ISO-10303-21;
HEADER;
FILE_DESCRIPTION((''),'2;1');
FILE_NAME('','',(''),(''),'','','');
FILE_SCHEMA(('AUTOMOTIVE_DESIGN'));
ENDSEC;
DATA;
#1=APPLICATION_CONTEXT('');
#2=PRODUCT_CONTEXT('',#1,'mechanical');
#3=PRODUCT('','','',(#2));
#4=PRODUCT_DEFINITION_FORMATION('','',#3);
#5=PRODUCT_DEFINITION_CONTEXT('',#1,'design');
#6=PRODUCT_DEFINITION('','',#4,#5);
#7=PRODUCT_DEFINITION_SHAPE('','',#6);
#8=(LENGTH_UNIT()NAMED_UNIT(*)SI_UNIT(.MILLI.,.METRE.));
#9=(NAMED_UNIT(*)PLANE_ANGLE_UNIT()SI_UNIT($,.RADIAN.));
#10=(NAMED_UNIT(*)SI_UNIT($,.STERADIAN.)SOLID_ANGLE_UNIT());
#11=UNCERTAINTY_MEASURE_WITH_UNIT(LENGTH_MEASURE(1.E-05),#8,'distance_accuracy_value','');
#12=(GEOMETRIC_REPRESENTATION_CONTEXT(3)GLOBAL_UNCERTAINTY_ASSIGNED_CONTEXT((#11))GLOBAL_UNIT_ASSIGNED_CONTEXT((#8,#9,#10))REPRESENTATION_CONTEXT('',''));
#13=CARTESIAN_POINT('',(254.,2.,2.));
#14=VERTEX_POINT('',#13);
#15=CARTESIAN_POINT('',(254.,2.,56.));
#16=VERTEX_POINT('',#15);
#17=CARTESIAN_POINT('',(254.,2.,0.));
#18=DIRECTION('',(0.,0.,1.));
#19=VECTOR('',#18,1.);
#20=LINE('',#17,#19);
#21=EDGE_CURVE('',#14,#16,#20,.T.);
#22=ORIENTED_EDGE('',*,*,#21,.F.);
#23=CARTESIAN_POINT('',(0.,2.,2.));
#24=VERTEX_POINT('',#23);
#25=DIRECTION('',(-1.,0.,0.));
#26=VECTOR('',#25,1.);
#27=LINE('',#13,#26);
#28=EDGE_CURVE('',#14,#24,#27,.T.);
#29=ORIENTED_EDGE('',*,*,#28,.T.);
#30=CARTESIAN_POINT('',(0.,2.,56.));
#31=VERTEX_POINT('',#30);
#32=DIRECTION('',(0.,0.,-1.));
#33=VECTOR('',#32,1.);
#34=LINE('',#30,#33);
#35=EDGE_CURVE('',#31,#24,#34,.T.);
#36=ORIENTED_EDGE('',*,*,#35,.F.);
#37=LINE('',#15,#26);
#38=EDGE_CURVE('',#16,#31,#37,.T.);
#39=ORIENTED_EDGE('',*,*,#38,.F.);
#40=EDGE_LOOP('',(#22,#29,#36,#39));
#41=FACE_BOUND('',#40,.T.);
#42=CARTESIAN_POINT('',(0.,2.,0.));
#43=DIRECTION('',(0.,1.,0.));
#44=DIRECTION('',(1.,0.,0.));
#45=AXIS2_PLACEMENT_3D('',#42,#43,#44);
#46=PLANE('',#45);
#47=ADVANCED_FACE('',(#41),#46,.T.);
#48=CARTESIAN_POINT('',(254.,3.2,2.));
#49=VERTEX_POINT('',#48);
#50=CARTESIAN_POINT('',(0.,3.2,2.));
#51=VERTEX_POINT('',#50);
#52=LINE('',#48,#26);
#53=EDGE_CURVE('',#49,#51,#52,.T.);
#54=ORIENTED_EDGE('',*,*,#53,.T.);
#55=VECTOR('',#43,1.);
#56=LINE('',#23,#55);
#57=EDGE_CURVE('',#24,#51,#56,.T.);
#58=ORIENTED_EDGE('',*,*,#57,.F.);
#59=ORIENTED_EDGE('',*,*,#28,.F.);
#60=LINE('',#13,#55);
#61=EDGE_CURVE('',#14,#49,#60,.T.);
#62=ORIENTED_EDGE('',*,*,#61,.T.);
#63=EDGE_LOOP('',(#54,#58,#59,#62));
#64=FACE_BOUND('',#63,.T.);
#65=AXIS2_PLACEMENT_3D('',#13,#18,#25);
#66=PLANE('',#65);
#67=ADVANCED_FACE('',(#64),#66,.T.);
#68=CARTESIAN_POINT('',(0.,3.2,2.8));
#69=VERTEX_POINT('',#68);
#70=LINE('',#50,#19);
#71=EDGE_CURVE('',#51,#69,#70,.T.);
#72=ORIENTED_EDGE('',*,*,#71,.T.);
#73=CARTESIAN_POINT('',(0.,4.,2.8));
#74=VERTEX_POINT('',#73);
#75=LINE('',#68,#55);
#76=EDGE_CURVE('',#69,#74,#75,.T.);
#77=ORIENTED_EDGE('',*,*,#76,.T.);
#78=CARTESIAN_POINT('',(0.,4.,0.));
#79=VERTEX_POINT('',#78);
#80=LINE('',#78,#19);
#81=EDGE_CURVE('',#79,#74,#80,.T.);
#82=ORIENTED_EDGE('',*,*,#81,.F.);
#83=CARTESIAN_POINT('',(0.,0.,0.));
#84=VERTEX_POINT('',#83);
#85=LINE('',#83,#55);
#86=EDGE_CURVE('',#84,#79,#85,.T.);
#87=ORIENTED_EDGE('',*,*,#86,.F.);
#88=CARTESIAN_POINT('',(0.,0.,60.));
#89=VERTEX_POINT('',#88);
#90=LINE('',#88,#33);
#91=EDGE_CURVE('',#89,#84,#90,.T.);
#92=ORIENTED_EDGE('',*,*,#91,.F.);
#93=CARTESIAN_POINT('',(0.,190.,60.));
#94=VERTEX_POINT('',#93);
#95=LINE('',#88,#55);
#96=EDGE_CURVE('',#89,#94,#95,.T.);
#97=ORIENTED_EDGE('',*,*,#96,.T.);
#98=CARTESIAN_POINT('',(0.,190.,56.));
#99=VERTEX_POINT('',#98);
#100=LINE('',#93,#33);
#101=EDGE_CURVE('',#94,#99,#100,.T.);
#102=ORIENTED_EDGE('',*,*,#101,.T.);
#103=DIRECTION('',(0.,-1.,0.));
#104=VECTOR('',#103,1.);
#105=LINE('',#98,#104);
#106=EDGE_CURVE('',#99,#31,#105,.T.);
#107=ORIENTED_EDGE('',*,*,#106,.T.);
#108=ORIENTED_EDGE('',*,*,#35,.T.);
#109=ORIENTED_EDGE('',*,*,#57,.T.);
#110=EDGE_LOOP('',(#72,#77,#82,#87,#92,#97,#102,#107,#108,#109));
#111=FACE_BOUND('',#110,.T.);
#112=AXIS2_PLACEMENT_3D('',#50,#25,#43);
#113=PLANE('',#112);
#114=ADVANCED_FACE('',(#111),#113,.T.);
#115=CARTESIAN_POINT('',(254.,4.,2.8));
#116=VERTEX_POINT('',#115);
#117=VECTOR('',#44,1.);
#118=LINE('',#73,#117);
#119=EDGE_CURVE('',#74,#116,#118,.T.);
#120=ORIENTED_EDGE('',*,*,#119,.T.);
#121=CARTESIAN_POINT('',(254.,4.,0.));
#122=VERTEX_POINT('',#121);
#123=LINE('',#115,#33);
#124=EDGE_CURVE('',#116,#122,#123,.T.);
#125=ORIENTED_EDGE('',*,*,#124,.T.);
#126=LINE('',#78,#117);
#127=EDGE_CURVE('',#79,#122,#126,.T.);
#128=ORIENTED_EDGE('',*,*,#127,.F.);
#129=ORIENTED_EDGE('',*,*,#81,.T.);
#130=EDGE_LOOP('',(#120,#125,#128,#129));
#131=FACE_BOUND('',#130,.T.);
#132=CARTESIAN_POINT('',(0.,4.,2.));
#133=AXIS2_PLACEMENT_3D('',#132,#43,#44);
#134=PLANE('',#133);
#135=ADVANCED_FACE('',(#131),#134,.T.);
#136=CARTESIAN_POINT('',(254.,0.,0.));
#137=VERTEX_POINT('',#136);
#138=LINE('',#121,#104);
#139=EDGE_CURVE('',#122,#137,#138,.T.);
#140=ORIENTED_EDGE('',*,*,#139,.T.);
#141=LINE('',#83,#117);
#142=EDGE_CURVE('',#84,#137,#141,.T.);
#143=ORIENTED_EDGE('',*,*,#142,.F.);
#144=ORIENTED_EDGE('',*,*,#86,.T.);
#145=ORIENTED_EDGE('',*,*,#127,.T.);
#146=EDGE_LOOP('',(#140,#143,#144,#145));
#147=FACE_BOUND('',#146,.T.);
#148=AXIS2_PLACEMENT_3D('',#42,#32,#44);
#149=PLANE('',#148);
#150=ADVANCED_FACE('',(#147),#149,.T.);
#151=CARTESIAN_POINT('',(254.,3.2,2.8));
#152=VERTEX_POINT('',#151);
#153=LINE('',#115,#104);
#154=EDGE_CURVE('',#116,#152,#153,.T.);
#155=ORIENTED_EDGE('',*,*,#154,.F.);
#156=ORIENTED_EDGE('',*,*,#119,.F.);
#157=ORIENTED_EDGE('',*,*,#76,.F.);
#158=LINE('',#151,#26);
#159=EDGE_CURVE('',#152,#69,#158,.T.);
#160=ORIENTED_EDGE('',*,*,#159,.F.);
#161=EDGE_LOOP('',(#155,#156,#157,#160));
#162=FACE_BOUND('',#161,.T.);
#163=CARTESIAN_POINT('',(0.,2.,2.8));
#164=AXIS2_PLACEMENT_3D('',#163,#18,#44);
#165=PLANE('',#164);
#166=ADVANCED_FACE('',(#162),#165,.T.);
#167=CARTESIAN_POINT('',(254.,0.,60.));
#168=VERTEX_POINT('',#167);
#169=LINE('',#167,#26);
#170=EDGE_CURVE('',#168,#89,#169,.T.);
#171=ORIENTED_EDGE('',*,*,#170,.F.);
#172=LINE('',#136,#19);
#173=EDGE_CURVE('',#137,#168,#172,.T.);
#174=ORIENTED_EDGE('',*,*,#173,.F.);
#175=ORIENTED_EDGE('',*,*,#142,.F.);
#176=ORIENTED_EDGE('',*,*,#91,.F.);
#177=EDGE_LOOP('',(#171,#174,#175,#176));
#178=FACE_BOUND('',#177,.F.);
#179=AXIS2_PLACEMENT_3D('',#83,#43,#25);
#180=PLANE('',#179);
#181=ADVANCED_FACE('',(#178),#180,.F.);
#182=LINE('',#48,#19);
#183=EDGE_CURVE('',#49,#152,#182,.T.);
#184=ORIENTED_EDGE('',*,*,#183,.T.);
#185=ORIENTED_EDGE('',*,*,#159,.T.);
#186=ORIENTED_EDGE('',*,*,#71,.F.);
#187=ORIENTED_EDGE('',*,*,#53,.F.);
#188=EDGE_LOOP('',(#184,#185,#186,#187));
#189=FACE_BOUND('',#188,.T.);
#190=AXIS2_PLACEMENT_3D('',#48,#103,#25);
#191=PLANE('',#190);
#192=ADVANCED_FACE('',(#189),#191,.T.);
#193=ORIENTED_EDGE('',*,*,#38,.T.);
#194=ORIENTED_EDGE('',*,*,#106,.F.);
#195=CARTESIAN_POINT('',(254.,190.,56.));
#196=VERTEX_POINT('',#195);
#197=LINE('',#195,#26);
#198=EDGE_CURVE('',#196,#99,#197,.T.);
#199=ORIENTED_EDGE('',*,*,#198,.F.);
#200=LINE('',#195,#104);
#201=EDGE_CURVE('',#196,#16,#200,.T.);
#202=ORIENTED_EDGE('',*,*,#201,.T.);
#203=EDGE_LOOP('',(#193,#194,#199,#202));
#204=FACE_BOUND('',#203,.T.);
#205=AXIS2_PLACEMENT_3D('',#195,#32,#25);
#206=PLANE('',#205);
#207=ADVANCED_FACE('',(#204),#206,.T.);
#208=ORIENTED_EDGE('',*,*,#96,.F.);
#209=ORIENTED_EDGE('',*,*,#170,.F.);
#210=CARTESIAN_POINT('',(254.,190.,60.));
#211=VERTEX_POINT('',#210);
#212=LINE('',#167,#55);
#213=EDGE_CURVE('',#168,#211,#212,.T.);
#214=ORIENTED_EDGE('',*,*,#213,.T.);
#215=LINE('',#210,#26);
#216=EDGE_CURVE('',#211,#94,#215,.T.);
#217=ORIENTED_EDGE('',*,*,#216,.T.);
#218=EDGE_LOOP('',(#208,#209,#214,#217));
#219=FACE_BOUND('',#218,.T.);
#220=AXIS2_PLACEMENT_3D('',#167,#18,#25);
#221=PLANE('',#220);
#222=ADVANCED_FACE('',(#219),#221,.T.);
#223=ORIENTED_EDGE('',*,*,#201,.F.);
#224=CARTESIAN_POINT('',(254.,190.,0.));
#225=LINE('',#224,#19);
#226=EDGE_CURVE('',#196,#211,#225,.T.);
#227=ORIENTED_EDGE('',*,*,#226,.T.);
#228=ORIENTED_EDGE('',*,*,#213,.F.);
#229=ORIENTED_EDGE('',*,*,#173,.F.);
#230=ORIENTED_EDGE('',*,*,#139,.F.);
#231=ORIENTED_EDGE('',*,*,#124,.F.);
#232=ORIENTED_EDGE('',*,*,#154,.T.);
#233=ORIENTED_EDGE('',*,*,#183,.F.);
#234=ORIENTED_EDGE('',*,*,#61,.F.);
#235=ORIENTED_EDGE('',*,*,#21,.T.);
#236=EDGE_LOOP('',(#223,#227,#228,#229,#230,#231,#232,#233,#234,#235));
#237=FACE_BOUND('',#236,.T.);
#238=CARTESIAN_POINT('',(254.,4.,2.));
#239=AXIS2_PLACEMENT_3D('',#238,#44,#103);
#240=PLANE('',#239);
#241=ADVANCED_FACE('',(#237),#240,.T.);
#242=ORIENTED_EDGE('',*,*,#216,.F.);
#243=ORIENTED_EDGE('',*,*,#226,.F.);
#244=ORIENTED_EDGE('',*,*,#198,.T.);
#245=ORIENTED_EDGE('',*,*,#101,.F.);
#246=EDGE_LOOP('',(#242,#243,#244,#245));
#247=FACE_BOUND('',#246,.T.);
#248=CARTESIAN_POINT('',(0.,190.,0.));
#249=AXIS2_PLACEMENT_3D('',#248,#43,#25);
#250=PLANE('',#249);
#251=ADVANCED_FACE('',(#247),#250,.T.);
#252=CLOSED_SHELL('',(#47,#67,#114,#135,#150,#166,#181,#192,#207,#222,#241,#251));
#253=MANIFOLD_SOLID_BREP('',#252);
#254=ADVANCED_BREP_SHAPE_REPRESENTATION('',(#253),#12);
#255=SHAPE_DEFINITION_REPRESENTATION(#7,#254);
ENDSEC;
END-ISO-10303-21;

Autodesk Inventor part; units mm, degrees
ref_plane "YZ Plane" through (0, 0, 0) normal (1, 0, 0) x (0, 1, 0)
ref_plane "XZ Plane" through (0, 0, 0) normal (0, 1, 0) x (-1, 0, 0)
ref_plane "XY Plane" through (0, 0, 0) normal (0, 0, 1) x (1, 0, 0)
sketch "草圖1" plane through (0, 0, 0) normal (0, 1, 0) x (-1, 0, 0)
  line L0 (0, 0) -> (-254, 0)
  line L1 (-254, 0) -> (-254, 60)
  line L2 (-254, 60) -> (0, 60)
  line L3 (0, 60) -> (0, 0)
  dimension "d0" = 254
  dimension "d1" = 60
extrude "擠出1" add sketch "草圖1" along normal blind 190
sketch "草圖2" plane through (0, 190, 0) normal (0, 1, 0) x (1, 0, 0)
  line L0 (254, 0) -> (0, 0) projected
  line L1 (0, 0) -> (254, 0)
  line L2 (254, 0) -> (254, -56)
  line L3 (254, -56) -> (0, -56)
  line L4 (0, -56) -> (0, 0)
  dimension "d4" = 254
  dimension "d5" = 56
extrude "擠出2" cut sketch "草圖2" against normal blind 188
sketch "草圖3" plane through (0, 2, 0) normal (0, 1, 0) x (1, 0, 0)
  line L0 (0, 0) -> (254, 0)
  line L1 (254, 0) -> (254, -2)
  line L2 (254, -2) -> (0, -2)
  line L3 (0, -2) -> (0, 0)
  dimension "d8" = 254
  dimension "d9" = 2
extrude "擠出3" add sketch "草圖3" along normal blind 2
sketch "草圖4" plane through (0, 2, 2) normal (0, 0, 1) x (1, 0, 0)
  line L0 (0, 2) -> (254, 2) projected
  line L1 (0, 2) -> (254, 2)
  line L2 (254, 2) -> (254, 1.2)
  line L3 (254, 1.2) -> (0, 1.2)
  line L4 (0, 1.2) -> (0, 2)
  point P0 (0, -2)
  dimension "d12" = 254
  dimension "d13" = 0.8
extrude "擠出4" add sketch "草圖4" along normal blind 0.8
properties part number "包包分隔檔板"
